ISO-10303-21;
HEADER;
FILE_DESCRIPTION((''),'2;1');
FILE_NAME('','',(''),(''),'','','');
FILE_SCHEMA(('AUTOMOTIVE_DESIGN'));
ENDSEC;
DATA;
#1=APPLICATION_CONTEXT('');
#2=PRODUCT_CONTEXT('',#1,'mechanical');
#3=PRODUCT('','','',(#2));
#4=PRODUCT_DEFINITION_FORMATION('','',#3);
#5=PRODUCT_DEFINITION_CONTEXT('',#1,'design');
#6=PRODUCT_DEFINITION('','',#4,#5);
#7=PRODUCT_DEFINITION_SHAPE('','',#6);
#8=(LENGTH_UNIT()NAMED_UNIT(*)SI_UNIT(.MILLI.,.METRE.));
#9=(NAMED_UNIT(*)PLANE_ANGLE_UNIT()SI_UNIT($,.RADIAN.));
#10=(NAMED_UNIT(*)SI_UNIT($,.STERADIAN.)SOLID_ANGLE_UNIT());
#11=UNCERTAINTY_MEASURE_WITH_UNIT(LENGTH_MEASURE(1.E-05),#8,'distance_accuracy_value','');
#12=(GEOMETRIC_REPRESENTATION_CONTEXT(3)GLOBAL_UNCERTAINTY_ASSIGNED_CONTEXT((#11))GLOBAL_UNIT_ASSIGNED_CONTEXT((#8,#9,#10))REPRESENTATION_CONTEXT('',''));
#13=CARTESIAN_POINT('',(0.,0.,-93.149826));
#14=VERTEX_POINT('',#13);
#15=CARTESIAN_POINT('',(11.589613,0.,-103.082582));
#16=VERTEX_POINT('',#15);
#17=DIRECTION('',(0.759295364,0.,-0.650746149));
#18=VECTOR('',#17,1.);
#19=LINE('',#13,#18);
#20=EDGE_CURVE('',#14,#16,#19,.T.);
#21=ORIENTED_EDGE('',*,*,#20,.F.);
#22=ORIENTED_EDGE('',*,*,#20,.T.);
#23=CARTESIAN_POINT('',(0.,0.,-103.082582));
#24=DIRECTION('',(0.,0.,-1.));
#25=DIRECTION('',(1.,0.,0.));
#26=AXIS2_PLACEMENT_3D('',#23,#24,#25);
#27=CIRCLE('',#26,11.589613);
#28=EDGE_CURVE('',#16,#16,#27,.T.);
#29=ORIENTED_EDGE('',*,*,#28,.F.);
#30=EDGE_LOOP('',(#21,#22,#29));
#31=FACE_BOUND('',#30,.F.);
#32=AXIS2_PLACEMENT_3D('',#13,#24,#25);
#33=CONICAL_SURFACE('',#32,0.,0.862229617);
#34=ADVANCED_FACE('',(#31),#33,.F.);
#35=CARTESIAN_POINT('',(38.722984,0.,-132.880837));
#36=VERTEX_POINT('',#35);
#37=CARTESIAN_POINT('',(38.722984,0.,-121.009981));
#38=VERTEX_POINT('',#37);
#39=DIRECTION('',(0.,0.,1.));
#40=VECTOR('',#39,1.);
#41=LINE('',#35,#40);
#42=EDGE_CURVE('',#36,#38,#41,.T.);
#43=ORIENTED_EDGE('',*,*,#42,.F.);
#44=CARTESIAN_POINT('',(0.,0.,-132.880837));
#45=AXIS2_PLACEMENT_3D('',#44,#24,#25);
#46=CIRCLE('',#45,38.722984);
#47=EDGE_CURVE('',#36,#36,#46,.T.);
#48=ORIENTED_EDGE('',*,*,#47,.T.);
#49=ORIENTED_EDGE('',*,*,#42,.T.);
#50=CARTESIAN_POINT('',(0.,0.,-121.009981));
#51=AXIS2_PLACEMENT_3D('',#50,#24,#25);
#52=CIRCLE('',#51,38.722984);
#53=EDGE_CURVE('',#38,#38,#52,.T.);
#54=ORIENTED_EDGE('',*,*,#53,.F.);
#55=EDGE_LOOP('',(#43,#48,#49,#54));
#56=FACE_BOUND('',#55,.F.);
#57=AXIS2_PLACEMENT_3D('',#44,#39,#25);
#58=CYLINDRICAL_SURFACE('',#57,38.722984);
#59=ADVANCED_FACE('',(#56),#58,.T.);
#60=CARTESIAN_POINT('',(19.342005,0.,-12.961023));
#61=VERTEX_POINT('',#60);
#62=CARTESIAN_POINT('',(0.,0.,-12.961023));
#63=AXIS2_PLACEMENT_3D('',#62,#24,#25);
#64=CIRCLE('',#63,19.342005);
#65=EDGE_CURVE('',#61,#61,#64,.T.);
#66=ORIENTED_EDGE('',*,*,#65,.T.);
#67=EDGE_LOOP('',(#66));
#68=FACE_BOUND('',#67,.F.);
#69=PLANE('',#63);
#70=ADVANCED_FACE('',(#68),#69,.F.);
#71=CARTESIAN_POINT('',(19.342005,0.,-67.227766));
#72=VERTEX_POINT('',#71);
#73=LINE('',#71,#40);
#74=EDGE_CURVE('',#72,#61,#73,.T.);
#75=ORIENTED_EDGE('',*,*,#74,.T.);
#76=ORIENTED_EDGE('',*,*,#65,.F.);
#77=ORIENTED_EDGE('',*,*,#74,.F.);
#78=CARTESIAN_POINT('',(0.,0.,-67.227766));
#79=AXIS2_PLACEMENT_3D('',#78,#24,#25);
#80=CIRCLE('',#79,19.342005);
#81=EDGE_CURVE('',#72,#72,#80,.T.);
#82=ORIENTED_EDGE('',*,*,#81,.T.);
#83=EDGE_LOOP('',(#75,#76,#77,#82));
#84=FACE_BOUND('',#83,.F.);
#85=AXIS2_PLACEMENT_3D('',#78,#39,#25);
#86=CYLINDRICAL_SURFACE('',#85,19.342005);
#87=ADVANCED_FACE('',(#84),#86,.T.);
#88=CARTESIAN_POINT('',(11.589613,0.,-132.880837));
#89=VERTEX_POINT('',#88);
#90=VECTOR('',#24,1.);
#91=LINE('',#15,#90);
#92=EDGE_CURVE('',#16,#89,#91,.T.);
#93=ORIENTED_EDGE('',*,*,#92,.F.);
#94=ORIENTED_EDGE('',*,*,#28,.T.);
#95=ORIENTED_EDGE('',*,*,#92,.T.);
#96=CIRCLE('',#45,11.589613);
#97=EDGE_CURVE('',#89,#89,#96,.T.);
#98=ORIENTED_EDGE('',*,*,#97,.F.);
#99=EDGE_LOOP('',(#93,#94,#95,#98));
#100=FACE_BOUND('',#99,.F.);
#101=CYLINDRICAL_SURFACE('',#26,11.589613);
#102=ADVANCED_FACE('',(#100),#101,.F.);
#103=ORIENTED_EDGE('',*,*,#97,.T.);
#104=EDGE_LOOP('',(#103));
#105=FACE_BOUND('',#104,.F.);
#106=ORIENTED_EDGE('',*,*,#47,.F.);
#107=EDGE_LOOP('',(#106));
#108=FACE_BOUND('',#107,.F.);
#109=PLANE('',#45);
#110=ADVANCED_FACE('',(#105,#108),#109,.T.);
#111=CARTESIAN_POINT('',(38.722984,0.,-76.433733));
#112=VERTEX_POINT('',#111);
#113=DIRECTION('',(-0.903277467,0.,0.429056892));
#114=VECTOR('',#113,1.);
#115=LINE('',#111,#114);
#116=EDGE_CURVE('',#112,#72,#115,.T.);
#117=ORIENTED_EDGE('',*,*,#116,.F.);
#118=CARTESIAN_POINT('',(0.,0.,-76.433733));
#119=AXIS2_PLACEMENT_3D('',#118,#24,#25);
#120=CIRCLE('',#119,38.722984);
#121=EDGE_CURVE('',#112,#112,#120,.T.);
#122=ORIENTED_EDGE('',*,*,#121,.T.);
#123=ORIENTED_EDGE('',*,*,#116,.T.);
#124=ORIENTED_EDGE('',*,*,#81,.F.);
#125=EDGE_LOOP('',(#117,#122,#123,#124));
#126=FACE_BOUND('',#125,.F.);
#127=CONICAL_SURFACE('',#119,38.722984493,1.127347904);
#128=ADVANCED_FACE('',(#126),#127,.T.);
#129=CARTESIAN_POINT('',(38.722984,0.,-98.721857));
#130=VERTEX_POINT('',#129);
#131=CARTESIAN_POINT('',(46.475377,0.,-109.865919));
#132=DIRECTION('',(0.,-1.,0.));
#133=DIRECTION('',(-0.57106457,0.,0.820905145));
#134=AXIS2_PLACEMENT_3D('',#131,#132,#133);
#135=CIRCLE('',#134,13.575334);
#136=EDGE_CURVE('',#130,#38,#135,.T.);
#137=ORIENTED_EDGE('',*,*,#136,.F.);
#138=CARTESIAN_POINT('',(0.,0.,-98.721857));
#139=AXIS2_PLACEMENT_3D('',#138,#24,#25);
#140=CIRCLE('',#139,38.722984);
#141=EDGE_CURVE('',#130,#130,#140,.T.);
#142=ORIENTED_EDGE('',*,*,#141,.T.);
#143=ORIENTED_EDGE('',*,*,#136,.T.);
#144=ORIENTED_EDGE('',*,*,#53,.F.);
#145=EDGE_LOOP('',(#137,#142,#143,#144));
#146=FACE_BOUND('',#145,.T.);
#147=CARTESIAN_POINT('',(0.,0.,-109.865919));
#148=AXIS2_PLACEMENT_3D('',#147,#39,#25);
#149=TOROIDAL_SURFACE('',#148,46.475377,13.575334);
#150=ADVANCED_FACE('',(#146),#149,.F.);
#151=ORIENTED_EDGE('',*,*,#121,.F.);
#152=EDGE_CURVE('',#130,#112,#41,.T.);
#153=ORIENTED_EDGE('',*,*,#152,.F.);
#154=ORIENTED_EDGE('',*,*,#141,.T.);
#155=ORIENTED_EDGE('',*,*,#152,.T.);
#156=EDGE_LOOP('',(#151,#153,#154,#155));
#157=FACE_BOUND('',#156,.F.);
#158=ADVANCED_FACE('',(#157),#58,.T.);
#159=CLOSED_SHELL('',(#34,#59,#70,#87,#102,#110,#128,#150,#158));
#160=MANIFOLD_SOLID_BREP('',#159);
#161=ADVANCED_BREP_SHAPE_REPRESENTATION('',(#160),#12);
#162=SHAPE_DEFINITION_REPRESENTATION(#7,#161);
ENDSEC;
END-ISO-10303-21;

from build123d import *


with BuildPart() as f1:
    # F0 (on Front) → F1 (revolve)
    with BuildSketch(Plane.XZ):
        with BuildLine():
            Line((19.3420052528, -12.9610225558), (0, -12.9610225558))
            Line((0, -12.9610225558), (0, -93.1498259306))
            Line((0, -93.1498259306), (11.5896128118, -103.0825823545))
            Line((11.5896128118, -103.0825823545), (11.5896128118, -132.8808367252))
            Line((11.5896128118, -132.8808367252), (38.7229844928, -132.8808367252))
            Line((38.7229844928, -132.8808367252), (38.7229844928, -121.0099805308))
            ThreePointArc((38.7229844928, -121.0099805308), (32.9000426318, -109.8659187555), (38.7229844928, -98.7218569802))
            Line((38.7229844928, -98.7218569802), (38.7229844928, -76.4337331057))
            Line((38.7229844928, -76.4337331057), (19.3420052528, -67.2277659178))
            Line((19.3420052528, -67.2277659178), (19.3420052528, -12.9610225558))
        make_face()
        with BuildLine():
            Line((38.7229844928, -121.0099805308), (38.7229844928, -98.7218569802))
            ThreePointArc((38.7229844928, -98.7218569802), (32.9000426318, -109.8659187555), (38.7229844928, -121.0099805308))
        make_face()
    revolve(axis=Axis((0, 0, -53.0554242432), (0, 0, -1)))

    # F0 (on Front) → F2 (revolve, cut)
    with BuildSketch(Plane.XZ):
        with BuildLine():
            Line((38.7229844928, -121.0099805308), (38.7229844928, -98.7218569802))
            ThreePointArc((38.7229844928, -98.7218569802), (32.9000426318, -109.8659187555), (38.7229844928, -121.0099805308))
        make_face()
    revolve(axis=Axis((0, 0, -53.0554242432), (0, 0, -1)), mode=Mode.SUBTRACT)


solid = f1.part
